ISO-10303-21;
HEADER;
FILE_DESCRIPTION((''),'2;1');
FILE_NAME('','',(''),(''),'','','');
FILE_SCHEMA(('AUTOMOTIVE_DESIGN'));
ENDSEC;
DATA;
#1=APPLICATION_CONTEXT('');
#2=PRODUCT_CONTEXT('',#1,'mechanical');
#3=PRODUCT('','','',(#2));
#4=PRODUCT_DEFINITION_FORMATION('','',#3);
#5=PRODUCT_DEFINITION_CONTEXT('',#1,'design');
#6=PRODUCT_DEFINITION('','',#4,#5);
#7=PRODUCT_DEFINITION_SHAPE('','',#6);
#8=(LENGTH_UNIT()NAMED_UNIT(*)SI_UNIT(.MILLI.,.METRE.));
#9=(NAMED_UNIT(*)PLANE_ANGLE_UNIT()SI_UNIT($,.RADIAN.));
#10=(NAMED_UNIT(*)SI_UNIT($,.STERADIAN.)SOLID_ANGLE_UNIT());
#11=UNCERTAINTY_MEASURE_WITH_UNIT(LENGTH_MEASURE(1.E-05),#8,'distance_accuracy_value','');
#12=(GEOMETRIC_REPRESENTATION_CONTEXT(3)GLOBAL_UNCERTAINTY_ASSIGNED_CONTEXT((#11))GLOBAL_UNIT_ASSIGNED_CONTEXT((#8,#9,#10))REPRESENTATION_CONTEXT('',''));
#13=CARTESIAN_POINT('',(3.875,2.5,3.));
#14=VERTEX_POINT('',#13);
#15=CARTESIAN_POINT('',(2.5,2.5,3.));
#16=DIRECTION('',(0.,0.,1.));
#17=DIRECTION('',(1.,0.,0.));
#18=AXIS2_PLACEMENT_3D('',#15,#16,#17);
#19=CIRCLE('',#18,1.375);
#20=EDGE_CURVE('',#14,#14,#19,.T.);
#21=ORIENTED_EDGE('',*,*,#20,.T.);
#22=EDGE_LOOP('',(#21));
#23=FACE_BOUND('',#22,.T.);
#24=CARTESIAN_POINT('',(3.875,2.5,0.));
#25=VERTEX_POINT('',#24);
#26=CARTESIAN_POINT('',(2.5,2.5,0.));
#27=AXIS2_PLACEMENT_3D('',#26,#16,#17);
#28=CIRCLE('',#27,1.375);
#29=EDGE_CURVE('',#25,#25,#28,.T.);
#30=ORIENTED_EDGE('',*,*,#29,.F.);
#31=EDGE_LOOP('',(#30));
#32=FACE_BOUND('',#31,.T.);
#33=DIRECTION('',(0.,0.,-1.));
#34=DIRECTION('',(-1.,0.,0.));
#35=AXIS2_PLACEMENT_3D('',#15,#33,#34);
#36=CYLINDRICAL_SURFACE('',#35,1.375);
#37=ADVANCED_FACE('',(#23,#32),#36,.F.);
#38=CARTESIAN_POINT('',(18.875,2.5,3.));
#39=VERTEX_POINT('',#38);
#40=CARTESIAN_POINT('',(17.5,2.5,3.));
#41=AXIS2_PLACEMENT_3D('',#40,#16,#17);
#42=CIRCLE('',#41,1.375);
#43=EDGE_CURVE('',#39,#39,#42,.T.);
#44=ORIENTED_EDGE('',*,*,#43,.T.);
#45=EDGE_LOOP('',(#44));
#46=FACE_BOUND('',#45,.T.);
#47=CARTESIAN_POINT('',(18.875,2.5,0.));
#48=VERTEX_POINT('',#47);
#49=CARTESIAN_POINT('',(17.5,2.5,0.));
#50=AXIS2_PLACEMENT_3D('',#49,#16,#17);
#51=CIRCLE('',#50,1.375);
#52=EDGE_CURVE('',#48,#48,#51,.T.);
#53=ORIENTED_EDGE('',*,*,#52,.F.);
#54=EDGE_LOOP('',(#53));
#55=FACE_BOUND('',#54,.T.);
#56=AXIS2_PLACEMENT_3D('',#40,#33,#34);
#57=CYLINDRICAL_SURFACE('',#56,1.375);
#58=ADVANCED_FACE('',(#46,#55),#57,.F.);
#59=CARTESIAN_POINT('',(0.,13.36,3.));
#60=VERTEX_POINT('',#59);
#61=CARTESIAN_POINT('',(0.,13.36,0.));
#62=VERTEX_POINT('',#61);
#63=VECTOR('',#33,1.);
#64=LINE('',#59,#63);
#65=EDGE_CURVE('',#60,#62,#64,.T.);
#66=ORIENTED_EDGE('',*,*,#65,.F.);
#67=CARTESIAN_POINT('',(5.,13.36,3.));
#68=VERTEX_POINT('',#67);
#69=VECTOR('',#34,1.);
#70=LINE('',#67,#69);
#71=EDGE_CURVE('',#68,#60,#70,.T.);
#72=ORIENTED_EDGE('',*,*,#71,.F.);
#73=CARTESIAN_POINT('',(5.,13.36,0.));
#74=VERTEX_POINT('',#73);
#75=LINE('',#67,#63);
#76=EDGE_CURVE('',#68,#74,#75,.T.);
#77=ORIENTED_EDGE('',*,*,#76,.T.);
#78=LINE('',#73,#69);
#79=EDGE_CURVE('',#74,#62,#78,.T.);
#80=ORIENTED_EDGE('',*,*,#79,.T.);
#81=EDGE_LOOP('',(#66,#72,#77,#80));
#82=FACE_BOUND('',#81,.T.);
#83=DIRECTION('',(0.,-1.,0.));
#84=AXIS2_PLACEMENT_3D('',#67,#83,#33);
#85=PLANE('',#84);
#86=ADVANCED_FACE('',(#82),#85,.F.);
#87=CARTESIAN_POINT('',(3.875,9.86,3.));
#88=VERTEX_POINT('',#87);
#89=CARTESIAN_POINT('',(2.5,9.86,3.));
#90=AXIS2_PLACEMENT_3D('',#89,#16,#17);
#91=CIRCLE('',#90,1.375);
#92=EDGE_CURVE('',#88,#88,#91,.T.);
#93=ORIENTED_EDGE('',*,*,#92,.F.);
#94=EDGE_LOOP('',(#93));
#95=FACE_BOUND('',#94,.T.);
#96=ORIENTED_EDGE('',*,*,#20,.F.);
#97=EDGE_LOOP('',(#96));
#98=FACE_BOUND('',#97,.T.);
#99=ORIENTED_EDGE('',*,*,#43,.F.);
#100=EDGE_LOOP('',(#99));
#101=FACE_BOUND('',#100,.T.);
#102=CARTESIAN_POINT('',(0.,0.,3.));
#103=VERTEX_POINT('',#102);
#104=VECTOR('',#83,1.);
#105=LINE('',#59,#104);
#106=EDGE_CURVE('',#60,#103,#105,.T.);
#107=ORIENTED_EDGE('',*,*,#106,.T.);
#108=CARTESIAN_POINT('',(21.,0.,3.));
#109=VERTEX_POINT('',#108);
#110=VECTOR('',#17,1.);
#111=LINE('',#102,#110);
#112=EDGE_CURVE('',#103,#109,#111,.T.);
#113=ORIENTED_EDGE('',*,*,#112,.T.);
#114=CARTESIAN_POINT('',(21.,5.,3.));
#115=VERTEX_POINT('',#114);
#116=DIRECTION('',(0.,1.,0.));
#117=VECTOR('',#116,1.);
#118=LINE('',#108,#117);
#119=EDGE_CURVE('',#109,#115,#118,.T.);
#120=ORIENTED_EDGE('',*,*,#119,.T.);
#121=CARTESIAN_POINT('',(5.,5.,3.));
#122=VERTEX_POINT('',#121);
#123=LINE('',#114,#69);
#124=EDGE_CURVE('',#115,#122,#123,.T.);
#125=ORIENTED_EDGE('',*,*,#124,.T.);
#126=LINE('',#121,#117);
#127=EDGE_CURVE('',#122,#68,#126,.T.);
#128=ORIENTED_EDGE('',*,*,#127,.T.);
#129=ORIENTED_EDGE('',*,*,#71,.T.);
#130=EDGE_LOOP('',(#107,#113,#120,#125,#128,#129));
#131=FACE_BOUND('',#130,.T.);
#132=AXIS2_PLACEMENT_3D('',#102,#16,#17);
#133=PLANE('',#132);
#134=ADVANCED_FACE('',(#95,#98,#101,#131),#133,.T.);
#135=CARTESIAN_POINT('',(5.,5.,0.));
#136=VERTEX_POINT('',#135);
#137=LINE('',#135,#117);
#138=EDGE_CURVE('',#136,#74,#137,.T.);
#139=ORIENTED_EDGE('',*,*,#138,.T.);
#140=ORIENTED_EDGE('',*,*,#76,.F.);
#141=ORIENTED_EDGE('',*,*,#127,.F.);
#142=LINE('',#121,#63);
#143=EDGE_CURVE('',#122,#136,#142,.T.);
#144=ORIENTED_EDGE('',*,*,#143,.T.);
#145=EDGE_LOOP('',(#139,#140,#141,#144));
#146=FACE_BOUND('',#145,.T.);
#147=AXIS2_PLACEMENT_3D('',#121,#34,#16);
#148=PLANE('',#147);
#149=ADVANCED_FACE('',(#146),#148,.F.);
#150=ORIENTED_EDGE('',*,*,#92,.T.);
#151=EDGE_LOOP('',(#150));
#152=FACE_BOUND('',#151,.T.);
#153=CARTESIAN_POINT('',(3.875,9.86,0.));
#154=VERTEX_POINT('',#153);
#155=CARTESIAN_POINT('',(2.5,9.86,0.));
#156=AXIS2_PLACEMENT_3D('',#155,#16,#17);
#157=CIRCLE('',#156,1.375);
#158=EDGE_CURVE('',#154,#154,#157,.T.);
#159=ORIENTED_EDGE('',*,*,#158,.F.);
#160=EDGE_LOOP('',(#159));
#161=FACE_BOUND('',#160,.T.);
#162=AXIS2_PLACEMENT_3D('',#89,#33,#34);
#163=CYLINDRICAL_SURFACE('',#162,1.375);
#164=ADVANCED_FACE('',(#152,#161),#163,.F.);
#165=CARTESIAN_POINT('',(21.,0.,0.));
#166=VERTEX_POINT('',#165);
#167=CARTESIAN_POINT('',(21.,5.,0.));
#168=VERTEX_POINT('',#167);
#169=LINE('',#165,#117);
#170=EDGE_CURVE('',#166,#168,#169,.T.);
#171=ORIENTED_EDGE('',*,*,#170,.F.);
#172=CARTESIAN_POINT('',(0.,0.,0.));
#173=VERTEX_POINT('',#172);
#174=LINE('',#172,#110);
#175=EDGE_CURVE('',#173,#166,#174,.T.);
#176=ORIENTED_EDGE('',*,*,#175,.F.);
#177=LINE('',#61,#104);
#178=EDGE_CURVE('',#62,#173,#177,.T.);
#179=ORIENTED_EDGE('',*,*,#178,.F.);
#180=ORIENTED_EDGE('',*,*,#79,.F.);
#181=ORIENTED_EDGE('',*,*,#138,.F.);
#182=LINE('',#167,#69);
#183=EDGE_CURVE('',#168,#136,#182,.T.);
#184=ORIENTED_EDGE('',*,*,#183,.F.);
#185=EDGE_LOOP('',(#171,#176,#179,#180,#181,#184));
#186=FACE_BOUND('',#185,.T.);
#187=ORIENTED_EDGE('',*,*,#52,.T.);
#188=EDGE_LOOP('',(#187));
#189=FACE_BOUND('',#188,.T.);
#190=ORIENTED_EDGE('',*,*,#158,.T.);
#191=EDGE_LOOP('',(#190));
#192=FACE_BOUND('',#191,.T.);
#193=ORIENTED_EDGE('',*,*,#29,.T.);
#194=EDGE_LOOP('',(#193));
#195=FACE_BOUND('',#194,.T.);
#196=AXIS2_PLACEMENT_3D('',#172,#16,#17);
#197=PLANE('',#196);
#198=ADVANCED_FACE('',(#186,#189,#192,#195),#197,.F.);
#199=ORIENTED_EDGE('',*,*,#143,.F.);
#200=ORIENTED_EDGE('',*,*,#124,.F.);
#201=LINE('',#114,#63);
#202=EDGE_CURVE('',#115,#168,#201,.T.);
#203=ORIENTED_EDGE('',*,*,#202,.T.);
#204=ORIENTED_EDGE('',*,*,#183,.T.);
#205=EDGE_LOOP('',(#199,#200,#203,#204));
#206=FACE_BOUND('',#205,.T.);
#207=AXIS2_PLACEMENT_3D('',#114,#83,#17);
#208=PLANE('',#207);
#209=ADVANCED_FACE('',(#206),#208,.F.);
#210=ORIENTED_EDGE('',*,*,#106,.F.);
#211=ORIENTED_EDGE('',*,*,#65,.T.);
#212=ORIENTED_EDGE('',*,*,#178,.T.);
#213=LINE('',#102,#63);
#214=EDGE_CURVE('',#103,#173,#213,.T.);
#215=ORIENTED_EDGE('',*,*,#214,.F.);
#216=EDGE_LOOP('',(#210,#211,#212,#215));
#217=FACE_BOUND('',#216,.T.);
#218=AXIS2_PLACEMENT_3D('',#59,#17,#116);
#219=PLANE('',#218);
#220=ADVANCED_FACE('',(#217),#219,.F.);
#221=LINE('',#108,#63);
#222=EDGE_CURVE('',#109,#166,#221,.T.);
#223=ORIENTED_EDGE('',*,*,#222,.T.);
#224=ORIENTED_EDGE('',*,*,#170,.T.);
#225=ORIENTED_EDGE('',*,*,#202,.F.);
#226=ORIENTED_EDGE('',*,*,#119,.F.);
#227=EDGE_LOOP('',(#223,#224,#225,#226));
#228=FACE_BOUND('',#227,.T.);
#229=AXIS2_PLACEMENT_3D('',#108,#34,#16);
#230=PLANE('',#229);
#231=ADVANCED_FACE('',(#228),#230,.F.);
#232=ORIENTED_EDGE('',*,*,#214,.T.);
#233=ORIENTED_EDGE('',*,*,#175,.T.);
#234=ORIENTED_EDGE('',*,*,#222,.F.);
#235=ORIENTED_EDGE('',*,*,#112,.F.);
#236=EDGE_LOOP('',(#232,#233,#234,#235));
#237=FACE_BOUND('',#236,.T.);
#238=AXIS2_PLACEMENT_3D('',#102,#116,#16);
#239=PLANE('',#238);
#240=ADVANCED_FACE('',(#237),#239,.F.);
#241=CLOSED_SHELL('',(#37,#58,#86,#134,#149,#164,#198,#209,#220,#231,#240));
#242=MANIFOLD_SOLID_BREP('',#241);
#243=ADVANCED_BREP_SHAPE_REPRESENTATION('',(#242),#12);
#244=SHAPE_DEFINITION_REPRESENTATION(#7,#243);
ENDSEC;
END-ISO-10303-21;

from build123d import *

# Parameters (mm, degrees)
SKETCH1_R           = 1.375
BOSS_EXTRUDE1_DEPTH = 3


with BuildPart() as part:
    # Sketch1 → Boss-Extrude1 (new body)
    with BuildSketch(Plane.XY):
        Polygon((0, 0), (21, 0), (21, 5), (5, 5), (5, 13.36), (0, 13.36), align=None)
        with Locations((17.5, 2.5)):
            Circle(SKETCH1_R, mode=Mode.SUBTRACT)
        with Locations((2.5, 2.5)):
            Circle(SKETCH1_R, mode=Mode.SUBTRACT)
        with Locations((2.5, 9.86)):
            Circle(SKETCH1_R, mode=Mode.SUBTRACT)
    extrude(amount=BOSS_EXTRUDE1_DEPTH)


solid = part.part
